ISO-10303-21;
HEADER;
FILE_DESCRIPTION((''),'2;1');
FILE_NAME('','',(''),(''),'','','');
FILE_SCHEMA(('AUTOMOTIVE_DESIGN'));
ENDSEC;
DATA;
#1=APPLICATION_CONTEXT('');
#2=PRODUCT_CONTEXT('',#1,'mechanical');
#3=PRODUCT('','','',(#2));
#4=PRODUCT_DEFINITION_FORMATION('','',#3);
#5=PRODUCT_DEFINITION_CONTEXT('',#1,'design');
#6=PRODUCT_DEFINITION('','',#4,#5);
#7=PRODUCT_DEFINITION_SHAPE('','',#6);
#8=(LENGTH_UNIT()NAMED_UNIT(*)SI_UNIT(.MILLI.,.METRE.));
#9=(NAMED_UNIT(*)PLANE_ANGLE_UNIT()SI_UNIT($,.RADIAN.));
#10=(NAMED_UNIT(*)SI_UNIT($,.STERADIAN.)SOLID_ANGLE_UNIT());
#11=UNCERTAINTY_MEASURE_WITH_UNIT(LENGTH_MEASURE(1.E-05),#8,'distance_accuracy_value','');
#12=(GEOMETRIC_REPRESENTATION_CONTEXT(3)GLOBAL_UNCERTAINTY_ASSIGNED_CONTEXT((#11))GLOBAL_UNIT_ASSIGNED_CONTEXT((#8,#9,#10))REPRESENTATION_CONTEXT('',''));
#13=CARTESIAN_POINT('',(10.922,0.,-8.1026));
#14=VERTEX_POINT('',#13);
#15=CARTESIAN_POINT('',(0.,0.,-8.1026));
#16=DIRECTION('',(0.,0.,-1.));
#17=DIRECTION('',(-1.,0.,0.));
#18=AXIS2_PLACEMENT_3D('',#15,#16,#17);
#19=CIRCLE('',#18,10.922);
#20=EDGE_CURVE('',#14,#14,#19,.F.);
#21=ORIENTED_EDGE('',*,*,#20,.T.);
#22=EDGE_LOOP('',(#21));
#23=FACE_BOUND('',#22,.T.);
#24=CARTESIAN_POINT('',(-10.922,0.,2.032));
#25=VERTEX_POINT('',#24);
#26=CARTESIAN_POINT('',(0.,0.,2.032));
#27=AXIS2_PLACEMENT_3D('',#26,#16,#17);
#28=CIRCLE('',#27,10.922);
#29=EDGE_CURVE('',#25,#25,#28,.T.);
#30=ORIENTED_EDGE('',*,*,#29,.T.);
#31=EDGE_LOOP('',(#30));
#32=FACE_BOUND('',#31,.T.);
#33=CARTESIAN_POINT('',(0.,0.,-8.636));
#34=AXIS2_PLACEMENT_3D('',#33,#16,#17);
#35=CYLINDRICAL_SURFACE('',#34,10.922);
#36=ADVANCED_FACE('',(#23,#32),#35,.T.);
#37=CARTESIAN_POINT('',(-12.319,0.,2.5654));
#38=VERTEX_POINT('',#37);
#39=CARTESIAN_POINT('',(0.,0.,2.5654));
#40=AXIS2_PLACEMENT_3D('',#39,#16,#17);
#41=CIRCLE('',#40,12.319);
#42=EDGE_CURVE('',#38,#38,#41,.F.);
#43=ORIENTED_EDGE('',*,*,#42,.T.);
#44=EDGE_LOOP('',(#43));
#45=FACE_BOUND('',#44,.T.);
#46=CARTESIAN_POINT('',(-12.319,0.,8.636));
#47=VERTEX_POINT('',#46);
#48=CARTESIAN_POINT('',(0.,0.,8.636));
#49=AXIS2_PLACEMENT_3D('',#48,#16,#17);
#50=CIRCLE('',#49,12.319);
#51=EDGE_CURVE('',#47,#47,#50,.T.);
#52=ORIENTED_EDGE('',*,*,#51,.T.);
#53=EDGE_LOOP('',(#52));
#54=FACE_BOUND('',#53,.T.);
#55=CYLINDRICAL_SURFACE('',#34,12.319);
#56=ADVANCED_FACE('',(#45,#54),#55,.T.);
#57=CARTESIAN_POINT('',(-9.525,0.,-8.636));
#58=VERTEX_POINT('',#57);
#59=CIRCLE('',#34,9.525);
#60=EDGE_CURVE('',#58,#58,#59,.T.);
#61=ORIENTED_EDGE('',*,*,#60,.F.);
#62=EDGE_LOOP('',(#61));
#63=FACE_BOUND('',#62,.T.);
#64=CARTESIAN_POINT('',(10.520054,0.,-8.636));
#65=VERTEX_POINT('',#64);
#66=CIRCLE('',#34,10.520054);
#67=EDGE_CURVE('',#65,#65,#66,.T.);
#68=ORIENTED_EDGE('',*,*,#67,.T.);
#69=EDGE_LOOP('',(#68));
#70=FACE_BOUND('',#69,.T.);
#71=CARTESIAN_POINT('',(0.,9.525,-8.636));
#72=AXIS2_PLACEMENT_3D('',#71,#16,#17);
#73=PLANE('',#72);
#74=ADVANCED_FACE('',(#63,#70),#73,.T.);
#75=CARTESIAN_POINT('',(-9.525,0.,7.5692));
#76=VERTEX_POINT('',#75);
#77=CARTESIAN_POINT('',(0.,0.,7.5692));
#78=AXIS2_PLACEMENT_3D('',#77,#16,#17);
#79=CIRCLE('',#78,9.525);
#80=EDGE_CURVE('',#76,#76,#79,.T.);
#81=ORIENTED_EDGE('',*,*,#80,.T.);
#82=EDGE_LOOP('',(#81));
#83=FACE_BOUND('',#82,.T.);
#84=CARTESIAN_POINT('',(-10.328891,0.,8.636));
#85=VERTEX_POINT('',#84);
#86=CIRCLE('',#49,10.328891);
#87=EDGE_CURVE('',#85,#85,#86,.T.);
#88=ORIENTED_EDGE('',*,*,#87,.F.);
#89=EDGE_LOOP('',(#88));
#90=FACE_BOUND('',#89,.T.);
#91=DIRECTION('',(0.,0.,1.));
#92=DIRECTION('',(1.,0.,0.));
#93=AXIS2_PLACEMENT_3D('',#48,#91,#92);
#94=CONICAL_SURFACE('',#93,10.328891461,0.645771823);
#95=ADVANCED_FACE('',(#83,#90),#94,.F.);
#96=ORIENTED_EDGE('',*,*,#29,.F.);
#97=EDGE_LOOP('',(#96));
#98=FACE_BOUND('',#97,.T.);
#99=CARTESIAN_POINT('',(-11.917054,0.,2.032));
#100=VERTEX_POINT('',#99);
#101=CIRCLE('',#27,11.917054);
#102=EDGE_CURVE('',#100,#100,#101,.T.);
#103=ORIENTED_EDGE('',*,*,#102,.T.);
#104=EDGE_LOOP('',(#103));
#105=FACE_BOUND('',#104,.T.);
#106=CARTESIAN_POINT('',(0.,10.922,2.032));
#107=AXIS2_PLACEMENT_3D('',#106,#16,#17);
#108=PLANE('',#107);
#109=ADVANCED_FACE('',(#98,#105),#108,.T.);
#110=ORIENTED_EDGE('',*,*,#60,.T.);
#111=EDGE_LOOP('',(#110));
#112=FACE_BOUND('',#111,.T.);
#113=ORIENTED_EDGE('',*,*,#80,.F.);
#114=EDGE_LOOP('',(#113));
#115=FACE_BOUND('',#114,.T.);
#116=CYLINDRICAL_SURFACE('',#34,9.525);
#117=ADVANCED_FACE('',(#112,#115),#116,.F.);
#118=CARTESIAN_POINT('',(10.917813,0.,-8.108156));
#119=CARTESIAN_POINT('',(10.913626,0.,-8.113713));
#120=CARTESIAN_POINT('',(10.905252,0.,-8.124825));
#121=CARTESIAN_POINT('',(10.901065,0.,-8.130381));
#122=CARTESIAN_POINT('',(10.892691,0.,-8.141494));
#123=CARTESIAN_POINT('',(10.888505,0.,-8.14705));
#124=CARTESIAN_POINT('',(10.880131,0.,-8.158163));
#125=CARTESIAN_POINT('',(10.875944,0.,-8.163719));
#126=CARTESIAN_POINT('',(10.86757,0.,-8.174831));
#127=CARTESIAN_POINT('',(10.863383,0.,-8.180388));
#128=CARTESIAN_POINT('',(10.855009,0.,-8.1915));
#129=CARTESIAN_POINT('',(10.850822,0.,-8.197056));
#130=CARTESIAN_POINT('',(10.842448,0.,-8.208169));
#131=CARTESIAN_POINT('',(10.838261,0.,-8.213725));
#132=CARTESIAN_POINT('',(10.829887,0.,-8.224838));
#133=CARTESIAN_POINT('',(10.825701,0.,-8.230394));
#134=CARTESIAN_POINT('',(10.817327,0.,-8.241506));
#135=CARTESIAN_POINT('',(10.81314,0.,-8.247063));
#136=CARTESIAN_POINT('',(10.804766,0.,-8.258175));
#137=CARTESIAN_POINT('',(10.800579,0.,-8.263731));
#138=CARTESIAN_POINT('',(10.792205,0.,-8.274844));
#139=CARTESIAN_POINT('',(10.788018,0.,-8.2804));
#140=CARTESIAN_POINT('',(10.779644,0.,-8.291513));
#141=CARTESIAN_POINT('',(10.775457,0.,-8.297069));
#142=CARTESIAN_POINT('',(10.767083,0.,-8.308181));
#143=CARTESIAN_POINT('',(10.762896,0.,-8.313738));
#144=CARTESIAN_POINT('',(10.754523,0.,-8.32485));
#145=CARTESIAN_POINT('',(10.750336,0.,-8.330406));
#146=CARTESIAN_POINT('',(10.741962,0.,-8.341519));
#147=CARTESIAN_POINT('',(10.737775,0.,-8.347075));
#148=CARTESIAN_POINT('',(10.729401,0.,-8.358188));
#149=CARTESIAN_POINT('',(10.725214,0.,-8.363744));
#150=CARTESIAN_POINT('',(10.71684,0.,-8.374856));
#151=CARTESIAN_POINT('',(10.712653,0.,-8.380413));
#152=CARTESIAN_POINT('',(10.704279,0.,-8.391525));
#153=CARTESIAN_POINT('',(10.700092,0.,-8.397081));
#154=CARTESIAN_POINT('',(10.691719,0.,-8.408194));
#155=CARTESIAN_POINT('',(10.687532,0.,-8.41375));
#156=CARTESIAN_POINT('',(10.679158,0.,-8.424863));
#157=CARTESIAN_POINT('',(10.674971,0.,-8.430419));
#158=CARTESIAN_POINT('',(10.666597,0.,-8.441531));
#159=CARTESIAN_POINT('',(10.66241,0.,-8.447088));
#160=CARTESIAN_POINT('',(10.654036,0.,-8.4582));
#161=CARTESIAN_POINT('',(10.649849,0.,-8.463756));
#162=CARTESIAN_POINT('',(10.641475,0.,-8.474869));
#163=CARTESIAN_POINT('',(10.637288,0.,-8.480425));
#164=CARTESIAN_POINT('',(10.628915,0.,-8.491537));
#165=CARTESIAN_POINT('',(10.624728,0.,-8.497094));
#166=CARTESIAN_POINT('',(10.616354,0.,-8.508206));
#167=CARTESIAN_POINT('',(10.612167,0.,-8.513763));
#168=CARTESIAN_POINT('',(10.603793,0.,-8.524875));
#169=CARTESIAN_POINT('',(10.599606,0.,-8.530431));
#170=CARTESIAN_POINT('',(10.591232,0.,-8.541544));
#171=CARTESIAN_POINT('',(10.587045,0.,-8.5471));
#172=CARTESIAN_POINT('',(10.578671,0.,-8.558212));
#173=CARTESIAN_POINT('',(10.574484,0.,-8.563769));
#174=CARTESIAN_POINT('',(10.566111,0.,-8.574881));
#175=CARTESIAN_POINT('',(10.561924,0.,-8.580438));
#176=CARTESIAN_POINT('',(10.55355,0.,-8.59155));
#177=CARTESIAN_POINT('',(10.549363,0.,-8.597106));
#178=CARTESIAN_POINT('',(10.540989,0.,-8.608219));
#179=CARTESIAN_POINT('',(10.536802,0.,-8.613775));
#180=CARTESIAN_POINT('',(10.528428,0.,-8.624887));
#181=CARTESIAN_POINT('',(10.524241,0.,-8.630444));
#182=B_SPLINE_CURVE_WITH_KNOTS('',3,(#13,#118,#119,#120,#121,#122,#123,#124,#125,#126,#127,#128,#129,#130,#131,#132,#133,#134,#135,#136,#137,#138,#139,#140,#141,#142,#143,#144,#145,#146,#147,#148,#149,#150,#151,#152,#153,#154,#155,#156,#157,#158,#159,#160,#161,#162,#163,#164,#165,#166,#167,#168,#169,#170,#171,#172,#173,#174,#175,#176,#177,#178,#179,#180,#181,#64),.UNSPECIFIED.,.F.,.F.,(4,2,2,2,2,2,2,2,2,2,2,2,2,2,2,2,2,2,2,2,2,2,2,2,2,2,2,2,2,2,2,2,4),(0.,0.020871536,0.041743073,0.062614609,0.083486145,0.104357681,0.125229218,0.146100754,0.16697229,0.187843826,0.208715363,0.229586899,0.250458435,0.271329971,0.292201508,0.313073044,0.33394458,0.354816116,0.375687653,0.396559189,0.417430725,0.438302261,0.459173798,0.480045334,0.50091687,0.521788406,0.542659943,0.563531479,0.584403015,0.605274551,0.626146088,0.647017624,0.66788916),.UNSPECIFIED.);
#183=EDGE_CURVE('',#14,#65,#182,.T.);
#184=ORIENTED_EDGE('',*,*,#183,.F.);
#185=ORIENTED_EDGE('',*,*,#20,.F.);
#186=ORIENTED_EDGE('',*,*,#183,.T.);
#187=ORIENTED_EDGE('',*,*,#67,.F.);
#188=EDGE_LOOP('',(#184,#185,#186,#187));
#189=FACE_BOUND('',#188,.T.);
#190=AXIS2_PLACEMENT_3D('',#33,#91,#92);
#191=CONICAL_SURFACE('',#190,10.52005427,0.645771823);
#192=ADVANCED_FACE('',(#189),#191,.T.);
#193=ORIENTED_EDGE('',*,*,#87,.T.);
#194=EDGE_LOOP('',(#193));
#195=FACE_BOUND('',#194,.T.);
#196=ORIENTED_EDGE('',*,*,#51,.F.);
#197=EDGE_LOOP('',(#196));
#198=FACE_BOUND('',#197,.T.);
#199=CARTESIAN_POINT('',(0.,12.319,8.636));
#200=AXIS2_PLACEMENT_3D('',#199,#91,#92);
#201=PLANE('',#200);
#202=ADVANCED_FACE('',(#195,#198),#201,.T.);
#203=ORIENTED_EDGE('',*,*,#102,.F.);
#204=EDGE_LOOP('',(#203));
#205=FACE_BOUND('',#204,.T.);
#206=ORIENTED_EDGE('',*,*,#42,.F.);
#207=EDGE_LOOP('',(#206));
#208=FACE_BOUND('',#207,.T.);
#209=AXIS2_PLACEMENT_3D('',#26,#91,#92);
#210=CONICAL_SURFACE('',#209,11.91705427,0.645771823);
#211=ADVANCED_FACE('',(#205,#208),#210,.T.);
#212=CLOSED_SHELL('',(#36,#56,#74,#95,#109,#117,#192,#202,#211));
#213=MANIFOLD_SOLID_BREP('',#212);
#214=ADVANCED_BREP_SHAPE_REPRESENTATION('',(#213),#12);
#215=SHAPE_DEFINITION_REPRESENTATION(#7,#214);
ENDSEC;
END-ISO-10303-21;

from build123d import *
from OCP.BRepFilletAPI import BRepFilletAPI_MakeChamfer

# Parameters (mm, degrees)
CHAMFER2_SIZE  = 0.5334
CHAMFER2_SIZE2 = 0.40194573


with BuildPart() as part:
    # Sketch2 → Revolve1 (revolve)
    with BuildSketch(Plane(origin=(0, 0, 0), x_dir=(0, 0, -1), z_dir=(1, 0, 0)), mode=Mode.PRIVATE) as revolve1_sk:
        Polygon((8.636, 9.525), (8.636, 10.922), (-2.032, 10.922), (-2.032, 12.319), (-8.636, 12.319), (-8.636, 10.328891461), (-7.5692, 9.525), align=None)
    revolve(revolve1_sk.sketch.rotate(Axis((0, 0, -8.636), (0, 0, 1)), 90), axis=Axis((0, 0, -8.636), (0, 0, 1)))

    # Chamfer2: one chamfer whose edges measure the first distance from different faces: ONE call of the kernel's chamfer builder (chamfer() names one face for all edges)
    chamfer2_edges_1 = [part.edges().sort_by_distance(p)[0] for p in [
        (12.319, 0, 2.032),
    ]]
    chamfer2_side_1 = [part.faces().sort_by_distance(p)[0] for p in [
        (12.319, 0, 5.334),
    ]]
    chamfer2_edges_2 = [part.edges().sort_by_distance(p)[0] for p in [
        (10.922, 0, -8.636),
    ]]
    chamfer2_side_2 = [part.faces().sort_by_distance(p)[0] for p in [
        (10.922, 0, -3.302),
    ]]
    chamfer2 = BRepFilletAPI_MakeChamfer(part.part.solid().wrapped)
    for e in chamfer2_edges_1:
        chamfer2.Add(CHAMFER2_SIZE, CHAMFER2_SIZE2, e.wrapped, chamfer2_side_1[0].wrapped)  # the first distance lies on this face
    for e in chamfer2_edges_2:
        chamfer2.Add(CHAMFER2_SIZE, CHAMFER2_SIZE2, e.wrapped, chamfer2_side_2[0].wrapped)  # the first distance lies on this face
    add(Compound.cast(chamfer2.Shape()), mode=Mode.REPLACE)


solid = part.part
